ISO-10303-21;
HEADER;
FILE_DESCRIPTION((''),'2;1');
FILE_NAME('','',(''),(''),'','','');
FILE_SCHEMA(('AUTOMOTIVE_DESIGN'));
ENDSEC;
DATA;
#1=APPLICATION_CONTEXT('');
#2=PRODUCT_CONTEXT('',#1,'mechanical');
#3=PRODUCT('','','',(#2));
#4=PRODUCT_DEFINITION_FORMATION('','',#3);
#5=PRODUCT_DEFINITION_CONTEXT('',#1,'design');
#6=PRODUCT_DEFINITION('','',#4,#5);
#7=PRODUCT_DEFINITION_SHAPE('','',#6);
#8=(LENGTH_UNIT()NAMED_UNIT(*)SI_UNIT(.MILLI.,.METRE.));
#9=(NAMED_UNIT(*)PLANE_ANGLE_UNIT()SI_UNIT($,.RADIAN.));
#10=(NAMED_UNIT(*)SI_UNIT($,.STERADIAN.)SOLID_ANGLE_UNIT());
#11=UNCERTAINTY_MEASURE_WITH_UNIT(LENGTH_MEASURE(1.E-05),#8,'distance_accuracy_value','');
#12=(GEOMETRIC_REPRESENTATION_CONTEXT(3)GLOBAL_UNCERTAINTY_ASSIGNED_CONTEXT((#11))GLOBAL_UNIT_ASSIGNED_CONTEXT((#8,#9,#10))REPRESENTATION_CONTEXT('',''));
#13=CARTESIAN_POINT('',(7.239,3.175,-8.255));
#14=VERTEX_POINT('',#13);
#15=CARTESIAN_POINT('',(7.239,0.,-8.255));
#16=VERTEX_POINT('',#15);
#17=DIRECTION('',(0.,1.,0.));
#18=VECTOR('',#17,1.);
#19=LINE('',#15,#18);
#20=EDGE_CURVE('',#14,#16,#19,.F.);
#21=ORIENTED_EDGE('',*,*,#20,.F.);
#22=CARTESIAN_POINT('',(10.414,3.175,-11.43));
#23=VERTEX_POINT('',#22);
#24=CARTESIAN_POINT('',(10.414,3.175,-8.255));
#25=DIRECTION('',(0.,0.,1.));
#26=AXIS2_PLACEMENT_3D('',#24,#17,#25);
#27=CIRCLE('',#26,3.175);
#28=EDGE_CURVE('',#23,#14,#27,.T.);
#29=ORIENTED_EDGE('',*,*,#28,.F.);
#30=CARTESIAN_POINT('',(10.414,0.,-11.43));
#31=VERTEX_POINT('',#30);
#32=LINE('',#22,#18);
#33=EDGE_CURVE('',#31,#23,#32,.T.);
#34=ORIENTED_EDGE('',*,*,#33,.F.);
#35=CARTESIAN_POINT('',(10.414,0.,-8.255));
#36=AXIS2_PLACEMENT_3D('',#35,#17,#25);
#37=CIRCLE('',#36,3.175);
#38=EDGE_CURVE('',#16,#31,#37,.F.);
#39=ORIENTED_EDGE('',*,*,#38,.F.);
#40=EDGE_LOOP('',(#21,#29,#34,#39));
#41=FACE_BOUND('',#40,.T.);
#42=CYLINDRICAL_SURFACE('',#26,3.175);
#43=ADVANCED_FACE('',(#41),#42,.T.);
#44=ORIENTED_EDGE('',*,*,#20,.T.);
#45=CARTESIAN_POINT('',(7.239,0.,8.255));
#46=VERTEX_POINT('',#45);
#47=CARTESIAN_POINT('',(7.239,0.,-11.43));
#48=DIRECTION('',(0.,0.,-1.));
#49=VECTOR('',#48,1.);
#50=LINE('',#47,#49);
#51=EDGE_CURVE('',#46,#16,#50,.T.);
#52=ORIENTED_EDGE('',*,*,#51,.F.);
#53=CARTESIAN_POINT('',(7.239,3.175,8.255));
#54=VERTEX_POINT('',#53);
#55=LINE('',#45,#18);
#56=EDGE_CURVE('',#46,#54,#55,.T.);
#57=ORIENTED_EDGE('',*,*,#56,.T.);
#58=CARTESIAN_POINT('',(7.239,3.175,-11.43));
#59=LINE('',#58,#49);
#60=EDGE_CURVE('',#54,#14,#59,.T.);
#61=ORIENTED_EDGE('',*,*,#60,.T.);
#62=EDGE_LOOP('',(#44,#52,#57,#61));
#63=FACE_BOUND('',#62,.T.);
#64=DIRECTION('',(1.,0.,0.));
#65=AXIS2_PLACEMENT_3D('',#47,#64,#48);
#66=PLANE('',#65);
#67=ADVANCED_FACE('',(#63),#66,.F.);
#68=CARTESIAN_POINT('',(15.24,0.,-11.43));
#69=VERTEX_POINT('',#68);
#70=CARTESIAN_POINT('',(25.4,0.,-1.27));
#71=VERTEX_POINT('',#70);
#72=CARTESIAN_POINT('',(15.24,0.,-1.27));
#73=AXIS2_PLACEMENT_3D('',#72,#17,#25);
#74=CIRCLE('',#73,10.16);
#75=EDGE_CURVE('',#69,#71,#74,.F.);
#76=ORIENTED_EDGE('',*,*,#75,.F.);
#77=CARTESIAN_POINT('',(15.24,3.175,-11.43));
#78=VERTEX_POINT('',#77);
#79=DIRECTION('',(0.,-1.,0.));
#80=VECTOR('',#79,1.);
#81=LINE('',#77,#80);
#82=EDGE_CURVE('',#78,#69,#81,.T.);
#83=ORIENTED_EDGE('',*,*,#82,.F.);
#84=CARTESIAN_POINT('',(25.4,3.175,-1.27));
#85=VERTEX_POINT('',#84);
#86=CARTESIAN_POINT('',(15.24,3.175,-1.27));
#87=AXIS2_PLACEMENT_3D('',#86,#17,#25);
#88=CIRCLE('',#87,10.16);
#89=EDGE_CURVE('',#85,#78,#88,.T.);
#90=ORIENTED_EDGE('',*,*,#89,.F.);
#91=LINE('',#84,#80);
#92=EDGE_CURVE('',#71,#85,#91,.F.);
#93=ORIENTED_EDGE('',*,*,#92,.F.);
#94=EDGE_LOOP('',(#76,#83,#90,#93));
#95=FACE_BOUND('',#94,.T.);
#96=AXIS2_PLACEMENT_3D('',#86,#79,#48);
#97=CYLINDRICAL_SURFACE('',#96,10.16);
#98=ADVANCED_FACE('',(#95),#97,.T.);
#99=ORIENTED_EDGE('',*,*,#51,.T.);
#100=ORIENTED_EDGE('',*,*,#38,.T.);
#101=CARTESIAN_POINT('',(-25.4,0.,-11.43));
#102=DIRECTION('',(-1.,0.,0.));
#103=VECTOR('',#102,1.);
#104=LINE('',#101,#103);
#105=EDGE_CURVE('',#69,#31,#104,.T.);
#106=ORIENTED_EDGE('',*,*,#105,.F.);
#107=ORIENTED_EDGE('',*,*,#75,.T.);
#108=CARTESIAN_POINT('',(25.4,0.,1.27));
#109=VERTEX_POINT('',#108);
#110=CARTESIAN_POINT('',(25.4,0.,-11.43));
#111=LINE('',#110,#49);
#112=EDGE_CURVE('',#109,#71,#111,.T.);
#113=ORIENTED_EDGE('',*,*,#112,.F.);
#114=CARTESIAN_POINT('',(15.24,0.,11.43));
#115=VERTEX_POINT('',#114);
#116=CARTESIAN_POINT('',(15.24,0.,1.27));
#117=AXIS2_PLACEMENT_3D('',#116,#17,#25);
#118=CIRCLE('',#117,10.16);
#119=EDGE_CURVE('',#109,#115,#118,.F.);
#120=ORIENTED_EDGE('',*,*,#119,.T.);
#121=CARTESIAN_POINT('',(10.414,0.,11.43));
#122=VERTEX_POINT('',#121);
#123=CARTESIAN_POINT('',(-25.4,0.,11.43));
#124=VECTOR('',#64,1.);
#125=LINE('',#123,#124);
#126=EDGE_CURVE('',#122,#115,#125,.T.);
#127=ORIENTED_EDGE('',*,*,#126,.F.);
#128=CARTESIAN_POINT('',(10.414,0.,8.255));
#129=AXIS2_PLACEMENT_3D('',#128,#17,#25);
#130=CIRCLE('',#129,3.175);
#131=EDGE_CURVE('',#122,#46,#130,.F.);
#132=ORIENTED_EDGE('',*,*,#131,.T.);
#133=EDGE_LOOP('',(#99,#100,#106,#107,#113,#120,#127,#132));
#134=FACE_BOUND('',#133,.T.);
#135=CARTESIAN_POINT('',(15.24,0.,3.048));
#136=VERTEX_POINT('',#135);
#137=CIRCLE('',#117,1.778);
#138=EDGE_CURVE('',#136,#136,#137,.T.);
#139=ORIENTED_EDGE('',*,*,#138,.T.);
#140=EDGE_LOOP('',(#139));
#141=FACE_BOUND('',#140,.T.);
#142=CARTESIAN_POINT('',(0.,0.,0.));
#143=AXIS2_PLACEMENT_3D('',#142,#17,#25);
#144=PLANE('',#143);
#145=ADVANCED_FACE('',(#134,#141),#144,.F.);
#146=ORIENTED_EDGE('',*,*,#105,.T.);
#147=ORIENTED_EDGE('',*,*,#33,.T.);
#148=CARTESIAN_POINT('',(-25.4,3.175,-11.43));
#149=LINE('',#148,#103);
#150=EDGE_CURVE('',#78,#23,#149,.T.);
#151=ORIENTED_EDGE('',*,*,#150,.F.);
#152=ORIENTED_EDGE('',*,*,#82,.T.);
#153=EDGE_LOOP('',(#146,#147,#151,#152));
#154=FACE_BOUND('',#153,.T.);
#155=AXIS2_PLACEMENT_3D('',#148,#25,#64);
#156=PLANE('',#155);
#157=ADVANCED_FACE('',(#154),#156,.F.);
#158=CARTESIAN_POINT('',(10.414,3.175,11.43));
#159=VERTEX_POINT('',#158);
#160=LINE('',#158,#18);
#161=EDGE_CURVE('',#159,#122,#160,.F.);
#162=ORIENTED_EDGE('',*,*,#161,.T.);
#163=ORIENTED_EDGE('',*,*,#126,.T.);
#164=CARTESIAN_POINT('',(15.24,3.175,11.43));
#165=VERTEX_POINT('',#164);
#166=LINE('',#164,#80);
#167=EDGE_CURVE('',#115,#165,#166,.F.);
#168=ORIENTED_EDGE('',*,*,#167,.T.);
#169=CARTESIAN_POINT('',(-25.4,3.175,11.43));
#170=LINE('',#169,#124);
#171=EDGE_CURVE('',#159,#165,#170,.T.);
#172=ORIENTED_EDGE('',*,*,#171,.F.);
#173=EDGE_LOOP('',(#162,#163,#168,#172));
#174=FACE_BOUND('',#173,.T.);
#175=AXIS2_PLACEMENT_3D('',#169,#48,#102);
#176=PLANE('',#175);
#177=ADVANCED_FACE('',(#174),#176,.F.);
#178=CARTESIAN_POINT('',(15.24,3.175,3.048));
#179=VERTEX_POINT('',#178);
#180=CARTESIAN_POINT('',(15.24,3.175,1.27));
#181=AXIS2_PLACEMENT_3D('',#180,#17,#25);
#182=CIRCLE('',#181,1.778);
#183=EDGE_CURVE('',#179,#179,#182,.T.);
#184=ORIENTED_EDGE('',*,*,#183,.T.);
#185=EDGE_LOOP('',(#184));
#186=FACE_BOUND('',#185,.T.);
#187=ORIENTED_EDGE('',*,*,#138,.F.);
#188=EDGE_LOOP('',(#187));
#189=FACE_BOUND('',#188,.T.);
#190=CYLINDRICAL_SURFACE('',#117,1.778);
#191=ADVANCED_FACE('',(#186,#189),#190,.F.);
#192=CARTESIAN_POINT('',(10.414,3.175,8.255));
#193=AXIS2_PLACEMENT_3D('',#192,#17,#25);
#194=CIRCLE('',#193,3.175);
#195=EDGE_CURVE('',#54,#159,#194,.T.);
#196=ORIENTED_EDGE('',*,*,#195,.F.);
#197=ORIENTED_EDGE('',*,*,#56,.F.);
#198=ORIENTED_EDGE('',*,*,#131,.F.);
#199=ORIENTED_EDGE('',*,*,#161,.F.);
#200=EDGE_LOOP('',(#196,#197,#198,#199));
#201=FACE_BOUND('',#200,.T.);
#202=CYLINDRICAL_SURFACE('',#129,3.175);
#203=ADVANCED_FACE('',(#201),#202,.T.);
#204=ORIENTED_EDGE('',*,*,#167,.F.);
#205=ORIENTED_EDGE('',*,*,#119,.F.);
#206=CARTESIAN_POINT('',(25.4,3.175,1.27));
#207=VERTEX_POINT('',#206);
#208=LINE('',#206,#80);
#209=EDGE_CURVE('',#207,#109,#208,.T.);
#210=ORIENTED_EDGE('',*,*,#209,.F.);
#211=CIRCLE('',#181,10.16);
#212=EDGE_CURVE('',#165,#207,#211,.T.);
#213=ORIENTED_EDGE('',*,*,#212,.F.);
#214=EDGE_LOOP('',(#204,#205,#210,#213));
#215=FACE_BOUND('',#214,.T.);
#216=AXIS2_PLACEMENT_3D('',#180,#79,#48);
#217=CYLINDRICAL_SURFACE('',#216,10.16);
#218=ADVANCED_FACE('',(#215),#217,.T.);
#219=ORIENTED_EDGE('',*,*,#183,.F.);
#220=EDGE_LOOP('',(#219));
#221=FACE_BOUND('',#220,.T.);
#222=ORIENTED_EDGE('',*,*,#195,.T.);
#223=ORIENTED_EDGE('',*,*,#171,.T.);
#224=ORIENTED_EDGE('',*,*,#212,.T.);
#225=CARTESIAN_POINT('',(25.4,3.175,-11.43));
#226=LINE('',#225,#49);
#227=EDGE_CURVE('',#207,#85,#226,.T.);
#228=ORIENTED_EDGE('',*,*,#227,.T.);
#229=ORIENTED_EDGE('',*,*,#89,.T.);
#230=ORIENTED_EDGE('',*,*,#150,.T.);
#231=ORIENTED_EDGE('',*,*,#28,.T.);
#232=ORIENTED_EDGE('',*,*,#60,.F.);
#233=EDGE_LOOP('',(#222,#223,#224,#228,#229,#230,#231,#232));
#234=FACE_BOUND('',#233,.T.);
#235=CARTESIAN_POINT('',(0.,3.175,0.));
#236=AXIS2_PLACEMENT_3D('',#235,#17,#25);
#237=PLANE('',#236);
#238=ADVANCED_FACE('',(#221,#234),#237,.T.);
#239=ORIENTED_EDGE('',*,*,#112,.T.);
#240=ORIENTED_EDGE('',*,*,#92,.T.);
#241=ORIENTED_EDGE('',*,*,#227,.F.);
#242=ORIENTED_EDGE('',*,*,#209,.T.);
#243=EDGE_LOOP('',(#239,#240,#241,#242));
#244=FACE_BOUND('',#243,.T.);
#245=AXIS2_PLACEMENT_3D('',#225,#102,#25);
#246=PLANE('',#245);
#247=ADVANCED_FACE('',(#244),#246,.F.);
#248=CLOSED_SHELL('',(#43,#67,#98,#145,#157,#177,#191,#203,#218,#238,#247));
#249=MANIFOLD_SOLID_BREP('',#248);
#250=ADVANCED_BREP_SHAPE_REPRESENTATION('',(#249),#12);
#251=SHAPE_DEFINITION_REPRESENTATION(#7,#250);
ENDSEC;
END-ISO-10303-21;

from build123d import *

# Parameters (mm, degrees)
SKETCH1_W           = 50.8
SKETCH1_H           = 22.86
BOSS_EXTRUDE1_DEPTH = 3.175
FILLET1_R           = 10.16
SKETCH3_R           = 1.778
CUT_EXTRUDE1_DEPTH  = 29.033649869
FILLET3_R           = 10.16
SKETCH4_W           = 32.639
SKETCH4_H           = 22.86
CUT_EXTRUDE2_DEPTH  = 29.033649869
FILLET9_R           = 3.175


with BuildPart() as part:
    # Sketch1 → Boss-Extrude1 (new body)
    with BuildSketch(Plane(origin=(0, 0, 0), x_dir=(1, 0, 0), z_dir=(0, 1, 0))):
        Rectangle(SKETCH1_W, SKETCH1_H)
    extrude(amount=BOSS_EXTRUDE1_DEPTH)

    # Fillet1
    fillet1_edges = [part.edges().sort_by_distance(p)[0] for p in [
        (25.4, 1.5875, 11.43),
        (-25.4, 1.5875, 11.43),
    ]]
    fillet(fillet1_edges, radius=FILLET1_R)

    # Sketch3 → Cut-Extrude1 (cut, through all)
    with BuildSketch(Plane(origin=(0, 3.175, 0), x_dir=(1, 0, 0), z_dir=(0, 1, 0))):
        with Locations(Location((15.24, -1.27, 0), (0, 0, 270))):
            Circle(SKETCH3_R)
        with Locations(Location((-3.81, -1.27, 0), (0, 0, 270))):
            Circle(SKETCH3_R)
    extrude(amount=-CUT_EXTRUDE1_DEPTH, mode=Mode.SUBTRACT)

    # Fillet3
    fillet3_edges = [part.edges().sort_by_distance(p)[0] for p in [
        (-25.4, 1.5875, -11.43),
        (25.4, 1.5875, -11.43),
    ]]
    fillet(fillet3_edges, radius=FILLET3_R)

    # Sketch4 → Cut-Extrude2 (cut, through all)
    with BuildSketch(Plane(origin=(0, 3.175, 0), x_dir=(1, 0, 0), z_dir=(0, 1, 0))):
        with Locations((-9.0805, 0)):
            Rectangle(SKETCH4_W, SKETCH4_H)
    extrude(amount=-CUT_EXTRUDE2_DEPTH, mode=Mode.SUBTRACT)

    # Fillet9
    fillet9_edges = [part.edges().sort_by_distance(p)[0] for p in [
        (7.239, 1.5875, -11.43),
        (7.239, 1.5875, 11.43),
    ]]
    fillet(fillet9_edges, radius=FILLET9_R)


solid = part.part
